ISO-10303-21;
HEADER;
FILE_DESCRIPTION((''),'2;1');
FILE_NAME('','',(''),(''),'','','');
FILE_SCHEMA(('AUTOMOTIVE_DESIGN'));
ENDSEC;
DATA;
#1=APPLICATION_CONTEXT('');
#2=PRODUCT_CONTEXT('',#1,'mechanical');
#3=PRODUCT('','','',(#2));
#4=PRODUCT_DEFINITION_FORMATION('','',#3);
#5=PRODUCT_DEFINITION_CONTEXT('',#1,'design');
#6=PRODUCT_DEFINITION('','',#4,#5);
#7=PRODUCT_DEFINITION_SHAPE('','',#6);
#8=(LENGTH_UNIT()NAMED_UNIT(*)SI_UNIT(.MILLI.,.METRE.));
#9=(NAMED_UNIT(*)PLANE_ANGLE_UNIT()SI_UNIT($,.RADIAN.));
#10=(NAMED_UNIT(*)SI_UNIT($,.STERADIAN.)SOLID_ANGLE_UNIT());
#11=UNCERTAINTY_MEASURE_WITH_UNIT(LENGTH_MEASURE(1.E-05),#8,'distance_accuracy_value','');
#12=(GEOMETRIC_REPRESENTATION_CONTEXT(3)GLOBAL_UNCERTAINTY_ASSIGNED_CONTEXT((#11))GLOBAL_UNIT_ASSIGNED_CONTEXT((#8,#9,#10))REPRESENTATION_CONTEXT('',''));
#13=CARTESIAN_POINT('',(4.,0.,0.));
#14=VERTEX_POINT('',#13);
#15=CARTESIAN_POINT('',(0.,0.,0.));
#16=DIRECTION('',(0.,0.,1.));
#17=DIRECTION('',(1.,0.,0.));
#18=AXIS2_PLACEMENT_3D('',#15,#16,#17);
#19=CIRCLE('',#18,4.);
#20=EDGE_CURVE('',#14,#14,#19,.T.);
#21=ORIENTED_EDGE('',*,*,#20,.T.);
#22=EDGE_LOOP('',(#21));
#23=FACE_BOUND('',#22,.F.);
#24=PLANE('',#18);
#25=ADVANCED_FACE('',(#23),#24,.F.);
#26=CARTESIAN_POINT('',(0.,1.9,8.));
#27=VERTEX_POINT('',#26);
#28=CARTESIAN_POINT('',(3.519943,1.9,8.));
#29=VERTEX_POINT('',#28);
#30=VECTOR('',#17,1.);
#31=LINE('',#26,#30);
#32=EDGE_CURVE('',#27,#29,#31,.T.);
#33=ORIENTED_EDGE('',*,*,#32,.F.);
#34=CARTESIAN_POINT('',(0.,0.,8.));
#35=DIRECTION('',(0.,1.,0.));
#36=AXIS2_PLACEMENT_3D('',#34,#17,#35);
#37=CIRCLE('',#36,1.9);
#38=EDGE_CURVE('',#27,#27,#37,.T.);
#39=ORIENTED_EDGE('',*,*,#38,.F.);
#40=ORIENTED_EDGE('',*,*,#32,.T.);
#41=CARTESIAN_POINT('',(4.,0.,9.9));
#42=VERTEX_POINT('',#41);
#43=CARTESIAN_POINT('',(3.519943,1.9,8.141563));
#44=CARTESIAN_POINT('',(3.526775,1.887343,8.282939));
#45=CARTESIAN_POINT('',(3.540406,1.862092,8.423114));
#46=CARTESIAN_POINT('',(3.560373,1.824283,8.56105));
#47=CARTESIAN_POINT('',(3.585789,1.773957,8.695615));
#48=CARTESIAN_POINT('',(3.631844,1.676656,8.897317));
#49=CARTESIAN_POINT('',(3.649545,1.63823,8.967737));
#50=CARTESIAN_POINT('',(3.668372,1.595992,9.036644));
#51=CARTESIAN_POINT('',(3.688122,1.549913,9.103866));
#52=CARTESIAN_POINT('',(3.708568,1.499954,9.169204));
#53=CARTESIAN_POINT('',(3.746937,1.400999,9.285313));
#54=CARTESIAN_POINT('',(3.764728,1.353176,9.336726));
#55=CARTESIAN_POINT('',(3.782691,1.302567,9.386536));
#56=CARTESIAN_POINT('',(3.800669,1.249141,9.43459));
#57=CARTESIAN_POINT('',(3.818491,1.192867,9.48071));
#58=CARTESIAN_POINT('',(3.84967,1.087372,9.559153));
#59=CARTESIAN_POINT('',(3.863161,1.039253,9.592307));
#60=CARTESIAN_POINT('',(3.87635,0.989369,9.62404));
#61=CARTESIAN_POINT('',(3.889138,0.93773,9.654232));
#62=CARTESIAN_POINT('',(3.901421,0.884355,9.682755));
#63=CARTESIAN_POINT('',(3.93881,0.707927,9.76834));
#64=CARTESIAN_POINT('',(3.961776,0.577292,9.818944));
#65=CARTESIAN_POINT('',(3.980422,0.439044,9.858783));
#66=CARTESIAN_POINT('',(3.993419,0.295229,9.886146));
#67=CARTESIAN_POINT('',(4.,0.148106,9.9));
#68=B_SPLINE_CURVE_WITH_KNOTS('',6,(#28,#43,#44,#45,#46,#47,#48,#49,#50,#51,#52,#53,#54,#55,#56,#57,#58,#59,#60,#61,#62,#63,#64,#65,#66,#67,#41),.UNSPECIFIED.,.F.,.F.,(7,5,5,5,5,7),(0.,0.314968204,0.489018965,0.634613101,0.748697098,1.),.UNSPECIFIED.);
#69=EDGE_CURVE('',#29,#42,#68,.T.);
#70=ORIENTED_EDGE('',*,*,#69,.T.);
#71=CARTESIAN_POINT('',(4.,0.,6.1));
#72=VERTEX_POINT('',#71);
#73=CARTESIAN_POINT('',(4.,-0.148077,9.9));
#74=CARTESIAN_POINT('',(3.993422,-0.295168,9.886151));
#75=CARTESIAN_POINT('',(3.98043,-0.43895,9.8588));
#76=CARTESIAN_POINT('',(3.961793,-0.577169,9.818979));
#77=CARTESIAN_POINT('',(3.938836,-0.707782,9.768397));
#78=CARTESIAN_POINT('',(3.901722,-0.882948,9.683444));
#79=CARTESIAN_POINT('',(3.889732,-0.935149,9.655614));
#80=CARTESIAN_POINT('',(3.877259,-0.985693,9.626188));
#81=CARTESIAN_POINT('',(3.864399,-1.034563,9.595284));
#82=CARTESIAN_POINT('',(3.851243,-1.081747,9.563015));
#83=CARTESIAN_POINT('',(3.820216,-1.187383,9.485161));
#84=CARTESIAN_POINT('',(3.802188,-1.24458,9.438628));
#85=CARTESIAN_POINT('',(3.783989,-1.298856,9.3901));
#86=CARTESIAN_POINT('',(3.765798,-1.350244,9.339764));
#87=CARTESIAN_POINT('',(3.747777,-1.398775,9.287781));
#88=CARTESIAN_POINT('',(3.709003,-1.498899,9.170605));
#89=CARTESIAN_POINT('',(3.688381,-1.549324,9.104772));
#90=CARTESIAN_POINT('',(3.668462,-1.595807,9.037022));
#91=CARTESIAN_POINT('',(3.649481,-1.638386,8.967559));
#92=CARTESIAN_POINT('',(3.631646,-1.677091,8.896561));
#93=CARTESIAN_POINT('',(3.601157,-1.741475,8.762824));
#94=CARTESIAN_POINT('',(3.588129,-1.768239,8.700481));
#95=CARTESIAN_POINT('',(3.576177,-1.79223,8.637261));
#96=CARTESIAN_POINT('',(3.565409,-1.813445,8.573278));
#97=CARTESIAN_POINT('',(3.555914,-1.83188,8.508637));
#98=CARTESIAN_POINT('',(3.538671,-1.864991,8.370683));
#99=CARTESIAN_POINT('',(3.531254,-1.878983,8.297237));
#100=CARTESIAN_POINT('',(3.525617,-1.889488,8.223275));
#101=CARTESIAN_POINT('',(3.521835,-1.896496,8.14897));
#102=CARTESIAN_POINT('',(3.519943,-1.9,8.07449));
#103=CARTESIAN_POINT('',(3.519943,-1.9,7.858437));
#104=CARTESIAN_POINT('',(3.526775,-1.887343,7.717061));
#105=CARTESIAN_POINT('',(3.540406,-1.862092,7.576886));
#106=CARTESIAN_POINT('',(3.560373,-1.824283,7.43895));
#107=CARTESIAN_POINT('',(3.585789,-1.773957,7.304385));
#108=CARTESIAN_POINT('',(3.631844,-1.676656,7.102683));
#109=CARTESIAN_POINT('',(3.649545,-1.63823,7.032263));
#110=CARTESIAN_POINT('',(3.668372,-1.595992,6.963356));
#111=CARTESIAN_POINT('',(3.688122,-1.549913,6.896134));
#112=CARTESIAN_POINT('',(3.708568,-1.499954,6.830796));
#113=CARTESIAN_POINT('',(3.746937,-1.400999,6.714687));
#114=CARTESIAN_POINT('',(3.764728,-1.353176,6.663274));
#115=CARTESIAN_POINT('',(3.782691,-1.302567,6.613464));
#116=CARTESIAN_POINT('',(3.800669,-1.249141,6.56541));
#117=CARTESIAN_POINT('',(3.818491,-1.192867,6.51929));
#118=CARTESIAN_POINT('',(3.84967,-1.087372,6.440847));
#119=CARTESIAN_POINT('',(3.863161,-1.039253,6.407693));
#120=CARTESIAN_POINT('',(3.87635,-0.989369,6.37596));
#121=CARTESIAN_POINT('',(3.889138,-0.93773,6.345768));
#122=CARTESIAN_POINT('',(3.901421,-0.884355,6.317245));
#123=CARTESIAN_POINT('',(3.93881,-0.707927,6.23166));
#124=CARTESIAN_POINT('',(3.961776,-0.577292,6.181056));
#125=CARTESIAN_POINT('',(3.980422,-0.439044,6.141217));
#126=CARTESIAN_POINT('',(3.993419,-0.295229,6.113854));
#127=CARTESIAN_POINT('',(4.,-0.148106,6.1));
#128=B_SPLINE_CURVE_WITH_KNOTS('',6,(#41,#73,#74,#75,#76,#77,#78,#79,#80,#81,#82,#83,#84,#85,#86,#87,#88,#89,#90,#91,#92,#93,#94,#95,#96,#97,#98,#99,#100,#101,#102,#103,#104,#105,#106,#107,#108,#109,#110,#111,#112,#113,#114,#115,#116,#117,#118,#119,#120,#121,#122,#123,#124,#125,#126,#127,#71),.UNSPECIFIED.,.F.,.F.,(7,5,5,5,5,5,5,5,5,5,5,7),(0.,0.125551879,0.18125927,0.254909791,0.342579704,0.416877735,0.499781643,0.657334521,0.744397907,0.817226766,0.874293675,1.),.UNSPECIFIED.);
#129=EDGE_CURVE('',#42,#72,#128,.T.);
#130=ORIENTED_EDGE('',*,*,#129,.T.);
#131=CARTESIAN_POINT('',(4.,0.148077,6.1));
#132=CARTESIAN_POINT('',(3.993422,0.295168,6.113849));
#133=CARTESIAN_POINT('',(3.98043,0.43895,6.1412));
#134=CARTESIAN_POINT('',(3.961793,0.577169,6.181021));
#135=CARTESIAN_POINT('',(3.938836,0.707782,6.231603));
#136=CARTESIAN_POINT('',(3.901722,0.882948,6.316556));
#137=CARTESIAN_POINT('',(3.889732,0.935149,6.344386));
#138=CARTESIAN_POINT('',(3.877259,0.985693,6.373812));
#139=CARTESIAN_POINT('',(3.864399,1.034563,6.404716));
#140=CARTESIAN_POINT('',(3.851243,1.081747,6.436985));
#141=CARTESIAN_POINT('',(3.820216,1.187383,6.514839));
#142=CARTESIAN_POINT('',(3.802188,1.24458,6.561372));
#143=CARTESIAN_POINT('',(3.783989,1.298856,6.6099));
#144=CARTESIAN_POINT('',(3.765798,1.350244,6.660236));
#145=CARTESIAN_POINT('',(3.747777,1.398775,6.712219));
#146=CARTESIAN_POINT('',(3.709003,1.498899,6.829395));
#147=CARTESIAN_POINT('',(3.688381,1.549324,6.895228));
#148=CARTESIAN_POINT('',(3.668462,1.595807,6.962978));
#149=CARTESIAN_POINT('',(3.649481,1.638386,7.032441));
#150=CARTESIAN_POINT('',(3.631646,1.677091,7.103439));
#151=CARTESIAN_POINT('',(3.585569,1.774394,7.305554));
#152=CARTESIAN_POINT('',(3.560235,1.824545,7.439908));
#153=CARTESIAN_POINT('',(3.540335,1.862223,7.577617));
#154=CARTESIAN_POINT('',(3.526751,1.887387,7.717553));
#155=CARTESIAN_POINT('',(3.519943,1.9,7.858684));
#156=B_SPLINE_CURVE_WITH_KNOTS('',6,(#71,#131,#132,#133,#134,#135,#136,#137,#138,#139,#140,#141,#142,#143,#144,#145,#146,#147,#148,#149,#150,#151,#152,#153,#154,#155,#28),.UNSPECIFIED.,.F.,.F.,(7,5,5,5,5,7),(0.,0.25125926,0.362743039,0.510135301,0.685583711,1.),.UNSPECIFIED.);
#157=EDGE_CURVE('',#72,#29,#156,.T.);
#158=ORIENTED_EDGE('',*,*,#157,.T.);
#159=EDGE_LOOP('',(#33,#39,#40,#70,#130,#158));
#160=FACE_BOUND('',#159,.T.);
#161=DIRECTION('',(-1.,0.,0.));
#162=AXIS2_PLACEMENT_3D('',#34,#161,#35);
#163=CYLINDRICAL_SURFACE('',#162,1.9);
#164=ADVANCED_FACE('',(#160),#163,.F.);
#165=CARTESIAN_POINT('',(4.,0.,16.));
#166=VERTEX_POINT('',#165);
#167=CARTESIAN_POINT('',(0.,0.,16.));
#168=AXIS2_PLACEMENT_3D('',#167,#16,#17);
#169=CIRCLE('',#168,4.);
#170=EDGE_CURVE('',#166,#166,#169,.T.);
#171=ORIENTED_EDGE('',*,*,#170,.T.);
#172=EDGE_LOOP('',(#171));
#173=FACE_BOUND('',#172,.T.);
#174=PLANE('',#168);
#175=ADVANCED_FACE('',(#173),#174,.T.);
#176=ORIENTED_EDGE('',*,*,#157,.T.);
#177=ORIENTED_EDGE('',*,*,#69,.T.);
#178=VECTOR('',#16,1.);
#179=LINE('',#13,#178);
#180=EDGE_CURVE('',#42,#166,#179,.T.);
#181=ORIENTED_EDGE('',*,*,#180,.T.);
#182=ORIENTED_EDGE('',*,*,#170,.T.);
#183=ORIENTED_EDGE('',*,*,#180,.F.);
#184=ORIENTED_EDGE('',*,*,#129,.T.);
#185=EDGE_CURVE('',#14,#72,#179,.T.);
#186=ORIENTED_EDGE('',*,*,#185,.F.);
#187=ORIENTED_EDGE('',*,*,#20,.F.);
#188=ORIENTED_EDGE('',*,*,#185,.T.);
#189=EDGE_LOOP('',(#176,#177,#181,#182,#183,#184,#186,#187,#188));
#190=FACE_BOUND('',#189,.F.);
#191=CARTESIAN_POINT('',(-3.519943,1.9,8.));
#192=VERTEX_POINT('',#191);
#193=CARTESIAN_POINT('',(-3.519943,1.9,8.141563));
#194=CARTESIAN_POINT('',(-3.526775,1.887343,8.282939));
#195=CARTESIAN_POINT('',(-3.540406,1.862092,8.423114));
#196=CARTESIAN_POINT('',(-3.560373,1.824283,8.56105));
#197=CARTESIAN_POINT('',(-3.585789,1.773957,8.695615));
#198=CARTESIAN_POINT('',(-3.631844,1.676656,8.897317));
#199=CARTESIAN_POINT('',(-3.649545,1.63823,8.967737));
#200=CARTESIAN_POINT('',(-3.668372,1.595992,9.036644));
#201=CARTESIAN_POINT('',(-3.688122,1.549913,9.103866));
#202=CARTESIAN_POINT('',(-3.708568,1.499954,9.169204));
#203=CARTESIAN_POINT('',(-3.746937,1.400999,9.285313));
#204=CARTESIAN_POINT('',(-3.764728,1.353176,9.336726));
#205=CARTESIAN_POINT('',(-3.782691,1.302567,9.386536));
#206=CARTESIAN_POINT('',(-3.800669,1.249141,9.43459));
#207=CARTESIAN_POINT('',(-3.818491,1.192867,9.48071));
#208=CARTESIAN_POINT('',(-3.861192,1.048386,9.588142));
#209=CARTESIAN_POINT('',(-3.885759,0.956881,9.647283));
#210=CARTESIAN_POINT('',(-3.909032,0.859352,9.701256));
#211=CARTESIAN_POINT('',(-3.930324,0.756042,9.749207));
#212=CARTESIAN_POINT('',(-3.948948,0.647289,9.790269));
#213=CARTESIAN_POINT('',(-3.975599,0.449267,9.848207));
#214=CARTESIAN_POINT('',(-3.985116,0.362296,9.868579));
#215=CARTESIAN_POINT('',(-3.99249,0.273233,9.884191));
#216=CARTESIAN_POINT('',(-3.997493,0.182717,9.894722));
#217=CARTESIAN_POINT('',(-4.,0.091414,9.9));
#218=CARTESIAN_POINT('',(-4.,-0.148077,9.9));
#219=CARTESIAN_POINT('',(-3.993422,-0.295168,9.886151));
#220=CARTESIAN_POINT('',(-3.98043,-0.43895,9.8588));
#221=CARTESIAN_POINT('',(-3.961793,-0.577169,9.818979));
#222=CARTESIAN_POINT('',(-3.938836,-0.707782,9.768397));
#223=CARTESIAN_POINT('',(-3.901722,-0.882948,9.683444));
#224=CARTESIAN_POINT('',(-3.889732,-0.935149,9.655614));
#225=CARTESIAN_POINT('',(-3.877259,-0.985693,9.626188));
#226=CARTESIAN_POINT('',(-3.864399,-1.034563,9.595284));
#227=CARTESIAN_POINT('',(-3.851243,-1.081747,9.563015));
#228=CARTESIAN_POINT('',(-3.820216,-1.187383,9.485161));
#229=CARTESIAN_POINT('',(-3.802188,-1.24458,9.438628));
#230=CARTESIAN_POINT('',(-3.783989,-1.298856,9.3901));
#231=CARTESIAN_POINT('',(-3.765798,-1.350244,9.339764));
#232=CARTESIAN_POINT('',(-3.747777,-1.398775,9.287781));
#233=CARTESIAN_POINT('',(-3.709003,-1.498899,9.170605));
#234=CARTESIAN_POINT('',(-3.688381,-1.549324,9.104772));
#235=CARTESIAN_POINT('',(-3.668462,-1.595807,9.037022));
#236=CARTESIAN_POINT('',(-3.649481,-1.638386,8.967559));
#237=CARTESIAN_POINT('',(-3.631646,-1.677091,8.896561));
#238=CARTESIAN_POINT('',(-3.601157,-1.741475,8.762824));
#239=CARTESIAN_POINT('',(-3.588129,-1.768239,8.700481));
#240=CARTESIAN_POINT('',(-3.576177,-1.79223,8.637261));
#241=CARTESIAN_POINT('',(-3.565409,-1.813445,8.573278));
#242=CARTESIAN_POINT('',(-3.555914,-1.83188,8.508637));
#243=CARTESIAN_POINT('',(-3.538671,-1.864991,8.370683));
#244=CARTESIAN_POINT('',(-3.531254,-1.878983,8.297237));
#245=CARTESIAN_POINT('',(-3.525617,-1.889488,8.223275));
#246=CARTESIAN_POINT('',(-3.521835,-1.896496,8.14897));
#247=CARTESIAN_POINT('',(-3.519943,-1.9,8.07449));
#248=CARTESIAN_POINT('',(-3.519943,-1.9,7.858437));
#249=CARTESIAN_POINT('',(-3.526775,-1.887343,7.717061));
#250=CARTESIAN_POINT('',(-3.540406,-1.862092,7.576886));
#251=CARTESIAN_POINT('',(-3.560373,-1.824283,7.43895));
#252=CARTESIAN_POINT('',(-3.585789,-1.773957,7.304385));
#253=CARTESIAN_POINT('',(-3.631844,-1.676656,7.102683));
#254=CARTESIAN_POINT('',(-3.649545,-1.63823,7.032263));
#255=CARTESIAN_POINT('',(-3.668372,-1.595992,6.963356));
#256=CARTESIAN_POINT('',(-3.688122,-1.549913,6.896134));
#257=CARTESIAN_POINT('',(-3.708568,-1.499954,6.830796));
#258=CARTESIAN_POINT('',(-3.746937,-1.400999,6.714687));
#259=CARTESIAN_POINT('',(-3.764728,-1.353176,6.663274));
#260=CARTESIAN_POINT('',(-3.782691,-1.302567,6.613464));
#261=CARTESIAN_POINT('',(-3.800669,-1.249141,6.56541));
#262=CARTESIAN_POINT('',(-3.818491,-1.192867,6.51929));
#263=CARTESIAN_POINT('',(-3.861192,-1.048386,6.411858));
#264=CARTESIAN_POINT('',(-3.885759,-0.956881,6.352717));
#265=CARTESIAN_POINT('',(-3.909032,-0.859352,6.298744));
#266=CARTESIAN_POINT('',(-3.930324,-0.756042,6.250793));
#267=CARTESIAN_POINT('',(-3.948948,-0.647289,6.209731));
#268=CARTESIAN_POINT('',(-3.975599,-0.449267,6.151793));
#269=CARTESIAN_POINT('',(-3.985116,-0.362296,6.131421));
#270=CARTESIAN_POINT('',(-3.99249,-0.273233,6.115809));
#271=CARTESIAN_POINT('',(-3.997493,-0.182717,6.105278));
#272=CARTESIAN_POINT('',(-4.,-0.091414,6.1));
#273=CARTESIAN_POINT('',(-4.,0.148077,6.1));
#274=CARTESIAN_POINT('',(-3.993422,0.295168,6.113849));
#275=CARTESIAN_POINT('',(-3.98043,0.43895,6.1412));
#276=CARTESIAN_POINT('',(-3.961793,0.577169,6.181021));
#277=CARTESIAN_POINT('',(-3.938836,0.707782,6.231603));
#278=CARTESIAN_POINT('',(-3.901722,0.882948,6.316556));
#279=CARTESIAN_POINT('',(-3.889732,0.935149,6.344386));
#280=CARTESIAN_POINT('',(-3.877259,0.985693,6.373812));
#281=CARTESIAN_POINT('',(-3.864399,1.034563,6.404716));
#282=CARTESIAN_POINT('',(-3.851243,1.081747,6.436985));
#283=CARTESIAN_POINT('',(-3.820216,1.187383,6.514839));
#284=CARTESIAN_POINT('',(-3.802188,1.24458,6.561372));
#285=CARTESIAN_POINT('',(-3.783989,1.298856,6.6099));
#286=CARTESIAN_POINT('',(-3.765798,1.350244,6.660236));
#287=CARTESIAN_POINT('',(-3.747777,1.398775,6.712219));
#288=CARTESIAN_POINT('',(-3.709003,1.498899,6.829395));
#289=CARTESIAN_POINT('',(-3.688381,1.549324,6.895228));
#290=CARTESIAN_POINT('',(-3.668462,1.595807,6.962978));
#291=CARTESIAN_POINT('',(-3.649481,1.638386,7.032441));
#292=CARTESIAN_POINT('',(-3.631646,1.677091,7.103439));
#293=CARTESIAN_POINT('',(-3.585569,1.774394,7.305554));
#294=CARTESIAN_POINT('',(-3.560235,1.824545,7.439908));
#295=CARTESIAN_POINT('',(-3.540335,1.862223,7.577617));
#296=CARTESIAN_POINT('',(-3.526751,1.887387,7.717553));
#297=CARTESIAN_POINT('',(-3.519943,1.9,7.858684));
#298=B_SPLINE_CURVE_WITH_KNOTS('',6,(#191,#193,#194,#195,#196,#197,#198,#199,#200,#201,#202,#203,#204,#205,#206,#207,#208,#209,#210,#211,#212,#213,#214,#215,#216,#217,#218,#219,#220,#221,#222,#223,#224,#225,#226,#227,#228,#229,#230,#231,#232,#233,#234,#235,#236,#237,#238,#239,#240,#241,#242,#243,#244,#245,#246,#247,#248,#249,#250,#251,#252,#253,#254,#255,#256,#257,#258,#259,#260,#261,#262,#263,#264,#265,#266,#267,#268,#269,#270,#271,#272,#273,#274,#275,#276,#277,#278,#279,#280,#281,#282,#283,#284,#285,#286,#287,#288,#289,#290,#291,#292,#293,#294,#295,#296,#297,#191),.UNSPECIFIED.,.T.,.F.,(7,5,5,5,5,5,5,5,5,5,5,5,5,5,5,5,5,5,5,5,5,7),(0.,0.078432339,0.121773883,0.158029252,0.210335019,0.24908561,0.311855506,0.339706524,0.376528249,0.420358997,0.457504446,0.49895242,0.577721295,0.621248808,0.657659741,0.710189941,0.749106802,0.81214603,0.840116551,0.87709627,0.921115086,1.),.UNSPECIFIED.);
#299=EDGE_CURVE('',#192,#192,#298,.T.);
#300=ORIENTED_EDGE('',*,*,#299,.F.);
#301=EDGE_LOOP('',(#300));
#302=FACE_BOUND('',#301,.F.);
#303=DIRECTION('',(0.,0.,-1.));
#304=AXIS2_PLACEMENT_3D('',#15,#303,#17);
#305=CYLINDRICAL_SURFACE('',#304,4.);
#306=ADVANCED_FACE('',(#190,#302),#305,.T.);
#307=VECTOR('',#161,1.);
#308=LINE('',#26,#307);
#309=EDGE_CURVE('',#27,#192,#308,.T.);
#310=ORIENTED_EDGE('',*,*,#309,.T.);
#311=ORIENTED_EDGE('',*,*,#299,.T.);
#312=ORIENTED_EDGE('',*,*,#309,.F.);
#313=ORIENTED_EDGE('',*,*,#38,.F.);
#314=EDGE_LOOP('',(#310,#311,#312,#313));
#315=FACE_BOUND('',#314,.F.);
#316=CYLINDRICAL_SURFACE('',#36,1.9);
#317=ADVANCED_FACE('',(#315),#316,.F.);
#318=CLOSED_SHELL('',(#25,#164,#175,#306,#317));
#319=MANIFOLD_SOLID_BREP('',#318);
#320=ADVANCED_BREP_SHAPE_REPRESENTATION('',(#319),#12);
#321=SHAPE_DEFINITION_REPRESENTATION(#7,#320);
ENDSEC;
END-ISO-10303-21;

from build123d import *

# Parameters (mm, degrees)
SKETCH_R          = 4
PAD_DEPTH         = 16
SKETCH001_R       = 1.9
POCKET_DEPTH      = 4.001
POCKET_DEPTH_BACK = -4.001


with BuildPart() as part:
    # Sketch → Pad (new body)
    with BuildSketch(Plane.XY):
        Circle(SKETCH_R)
    extrude(amount=PAD_DEPTH)

    # Sketch001 → Pocket (cut, two sides)
    with BuildSketch(Plane.YZ) as pocket_sk:
        with Locations((0, 8)):
            Circle(SKETCH001_R)
    extrude(amount=-POCKET_DEPTH, mode=Mode.SUBTRACT)
    extrude(pocket_sk.sketch, amount=-POCKET_DEPTH_BACK, mode=Mode.SUBTRACT)


solid = part.part
